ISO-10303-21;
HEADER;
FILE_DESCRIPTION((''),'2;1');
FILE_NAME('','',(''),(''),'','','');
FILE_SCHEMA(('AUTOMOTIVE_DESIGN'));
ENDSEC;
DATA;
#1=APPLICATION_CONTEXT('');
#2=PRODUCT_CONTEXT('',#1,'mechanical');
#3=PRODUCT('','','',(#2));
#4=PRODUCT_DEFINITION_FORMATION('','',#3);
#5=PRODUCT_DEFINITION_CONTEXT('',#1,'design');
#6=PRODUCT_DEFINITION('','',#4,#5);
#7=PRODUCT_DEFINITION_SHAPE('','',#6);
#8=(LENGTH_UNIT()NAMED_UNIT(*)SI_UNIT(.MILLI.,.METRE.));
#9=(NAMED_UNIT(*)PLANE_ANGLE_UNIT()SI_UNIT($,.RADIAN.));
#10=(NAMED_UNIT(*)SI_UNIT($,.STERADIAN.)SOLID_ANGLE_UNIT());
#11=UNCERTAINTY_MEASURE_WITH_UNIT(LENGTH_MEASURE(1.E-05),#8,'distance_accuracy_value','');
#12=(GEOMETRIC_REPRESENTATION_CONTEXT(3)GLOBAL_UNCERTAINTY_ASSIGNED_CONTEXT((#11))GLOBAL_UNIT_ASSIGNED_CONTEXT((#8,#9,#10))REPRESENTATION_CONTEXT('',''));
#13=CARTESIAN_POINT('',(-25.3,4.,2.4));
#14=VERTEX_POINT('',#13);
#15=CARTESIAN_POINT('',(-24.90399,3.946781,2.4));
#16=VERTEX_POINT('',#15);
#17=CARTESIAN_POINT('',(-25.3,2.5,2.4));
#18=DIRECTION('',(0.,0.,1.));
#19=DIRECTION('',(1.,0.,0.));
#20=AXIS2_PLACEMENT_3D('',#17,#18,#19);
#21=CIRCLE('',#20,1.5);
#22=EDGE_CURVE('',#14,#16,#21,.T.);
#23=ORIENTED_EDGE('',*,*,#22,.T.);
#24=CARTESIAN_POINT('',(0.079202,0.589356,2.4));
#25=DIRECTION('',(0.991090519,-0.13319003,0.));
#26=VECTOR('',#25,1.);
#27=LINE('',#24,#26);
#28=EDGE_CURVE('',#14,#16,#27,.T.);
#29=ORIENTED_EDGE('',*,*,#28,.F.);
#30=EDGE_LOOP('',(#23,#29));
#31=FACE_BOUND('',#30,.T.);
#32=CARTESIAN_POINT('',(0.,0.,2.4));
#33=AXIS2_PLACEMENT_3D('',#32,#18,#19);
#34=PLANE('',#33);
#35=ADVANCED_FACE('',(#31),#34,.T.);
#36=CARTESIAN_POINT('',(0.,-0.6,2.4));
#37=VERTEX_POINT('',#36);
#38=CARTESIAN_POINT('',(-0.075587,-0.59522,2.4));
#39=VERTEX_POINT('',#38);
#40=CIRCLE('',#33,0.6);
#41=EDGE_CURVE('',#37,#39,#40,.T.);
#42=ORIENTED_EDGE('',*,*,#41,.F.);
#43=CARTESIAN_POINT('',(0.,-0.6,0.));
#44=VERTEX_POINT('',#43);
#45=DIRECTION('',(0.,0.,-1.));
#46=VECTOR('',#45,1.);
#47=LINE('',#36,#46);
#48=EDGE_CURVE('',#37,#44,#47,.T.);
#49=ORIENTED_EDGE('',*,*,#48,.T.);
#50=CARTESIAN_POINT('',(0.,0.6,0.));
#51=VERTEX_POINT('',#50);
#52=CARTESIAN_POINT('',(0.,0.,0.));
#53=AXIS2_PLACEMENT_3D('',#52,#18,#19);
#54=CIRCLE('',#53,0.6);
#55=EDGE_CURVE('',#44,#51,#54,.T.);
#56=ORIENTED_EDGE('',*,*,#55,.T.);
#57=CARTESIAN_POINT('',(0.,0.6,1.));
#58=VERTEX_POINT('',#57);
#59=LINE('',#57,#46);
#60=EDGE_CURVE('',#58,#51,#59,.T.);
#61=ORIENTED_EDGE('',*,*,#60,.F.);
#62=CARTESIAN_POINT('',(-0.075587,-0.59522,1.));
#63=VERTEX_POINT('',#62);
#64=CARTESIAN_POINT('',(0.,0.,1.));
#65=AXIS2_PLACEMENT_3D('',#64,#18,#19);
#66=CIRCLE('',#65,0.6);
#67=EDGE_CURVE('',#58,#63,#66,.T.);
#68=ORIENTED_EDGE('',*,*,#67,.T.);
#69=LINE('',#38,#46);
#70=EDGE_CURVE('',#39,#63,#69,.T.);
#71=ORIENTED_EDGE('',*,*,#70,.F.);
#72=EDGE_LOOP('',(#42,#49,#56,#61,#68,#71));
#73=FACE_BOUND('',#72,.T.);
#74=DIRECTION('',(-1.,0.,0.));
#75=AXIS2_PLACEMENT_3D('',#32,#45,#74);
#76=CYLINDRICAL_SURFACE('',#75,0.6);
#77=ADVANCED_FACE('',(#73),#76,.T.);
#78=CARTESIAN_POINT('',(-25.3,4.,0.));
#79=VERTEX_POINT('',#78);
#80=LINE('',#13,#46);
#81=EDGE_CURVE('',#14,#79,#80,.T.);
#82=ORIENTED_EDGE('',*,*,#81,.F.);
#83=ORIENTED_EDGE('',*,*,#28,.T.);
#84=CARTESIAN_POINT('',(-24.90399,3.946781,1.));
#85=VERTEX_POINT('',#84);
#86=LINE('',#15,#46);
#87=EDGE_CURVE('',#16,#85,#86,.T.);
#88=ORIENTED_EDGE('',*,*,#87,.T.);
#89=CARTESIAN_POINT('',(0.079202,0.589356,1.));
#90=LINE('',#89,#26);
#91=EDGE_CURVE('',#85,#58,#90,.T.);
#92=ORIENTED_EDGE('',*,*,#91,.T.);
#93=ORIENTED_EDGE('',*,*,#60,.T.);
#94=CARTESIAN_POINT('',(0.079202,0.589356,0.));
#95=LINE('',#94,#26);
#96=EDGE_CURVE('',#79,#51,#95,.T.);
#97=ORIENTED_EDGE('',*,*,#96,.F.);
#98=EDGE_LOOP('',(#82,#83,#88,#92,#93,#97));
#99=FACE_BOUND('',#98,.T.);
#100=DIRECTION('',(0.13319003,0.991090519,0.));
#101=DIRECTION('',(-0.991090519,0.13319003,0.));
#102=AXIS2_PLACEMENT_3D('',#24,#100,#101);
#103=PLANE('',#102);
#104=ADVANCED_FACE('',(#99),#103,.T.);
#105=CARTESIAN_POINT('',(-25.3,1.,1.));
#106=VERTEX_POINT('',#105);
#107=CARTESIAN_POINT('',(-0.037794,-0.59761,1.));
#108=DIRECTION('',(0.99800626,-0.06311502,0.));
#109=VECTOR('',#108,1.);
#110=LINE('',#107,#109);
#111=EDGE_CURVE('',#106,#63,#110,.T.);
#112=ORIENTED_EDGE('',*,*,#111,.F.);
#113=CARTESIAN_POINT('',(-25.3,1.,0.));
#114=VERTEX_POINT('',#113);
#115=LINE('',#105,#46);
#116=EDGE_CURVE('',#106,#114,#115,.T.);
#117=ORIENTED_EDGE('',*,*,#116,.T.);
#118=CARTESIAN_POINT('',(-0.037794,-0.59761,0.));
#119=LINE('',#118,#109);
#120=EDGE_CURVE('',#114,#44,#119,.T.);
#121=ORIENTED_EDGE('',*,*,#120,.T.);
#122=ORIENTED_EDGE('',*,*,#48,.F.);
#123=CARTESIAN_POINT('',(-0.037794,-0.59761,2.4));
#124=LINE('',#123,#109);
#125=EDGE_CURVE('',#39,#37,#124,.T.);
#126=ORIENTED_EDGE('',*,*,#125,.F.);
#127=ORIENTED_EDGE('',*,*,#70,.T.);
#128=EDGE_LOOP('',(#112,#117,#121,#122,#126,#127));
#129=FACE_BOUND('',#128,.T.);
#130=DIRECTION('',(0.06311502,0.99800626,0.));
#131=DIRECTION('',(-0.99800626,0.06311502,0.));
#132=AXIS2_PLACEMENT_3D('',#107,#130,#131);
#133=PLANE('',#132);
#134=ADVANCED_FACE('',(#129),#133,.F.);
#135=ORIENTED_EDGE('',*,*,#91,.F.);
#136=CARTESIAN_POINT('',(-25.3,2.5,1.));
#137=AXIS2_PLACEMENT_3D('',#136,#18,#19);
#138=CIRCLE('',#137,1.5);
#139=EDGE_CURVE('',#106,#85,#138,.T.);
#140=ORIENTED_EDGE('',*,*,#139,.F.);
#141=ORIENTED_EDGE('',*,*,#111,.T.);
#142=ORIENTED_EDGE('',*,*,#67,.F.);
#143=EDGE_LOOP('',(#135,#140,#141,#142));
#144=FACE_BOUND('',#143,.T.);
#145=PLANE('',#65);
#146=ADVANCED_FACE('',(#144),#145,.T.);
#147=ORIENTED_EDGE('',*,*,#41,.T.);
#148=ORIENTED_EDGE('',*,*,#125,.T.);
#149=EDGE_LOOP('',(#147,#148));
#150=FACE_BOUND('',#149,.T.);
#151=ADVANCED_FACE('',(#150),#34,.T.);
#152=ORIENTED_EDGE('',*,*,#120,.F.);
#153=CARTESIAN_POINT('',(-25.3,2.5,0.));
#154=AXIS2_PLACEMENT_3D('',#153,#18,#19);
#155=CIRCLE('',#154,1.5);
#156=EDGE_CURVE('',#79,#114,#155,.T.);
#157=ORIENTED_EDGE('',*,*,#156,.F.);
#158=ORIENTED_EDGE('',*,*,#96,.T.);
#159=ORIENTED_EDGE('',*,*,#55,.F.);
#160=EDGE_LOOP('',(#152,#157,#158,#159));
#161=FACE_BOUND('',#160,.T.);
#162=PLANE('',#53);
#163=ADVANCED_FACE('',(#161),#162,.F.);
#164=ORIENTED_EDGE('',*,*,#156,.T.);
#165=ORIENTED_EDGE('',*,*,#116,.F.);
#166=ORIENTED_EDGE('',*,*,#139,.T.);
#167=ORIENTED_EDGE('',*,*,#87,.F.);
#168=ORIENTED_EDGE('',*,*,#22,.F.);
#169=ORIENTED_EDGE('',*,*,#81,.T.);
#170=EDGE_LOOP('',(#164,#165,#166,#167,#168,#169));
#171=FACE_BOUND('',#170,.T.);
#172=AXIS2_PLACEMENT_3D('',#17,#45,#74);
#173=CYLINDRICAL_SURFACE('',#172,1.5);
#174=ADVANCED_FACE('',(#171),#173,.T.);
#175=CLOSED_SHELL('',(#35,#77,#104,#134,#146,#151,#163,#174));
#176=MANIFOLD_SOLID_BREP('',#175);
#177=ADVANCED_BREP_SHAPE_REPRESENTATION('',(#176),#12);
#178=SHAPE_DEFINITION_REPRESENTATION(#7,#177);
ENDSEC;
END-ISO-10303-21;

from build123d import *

# Parameters (mm, degrees)
SALIENTE_EXTRUIR1_DEPTH   = 2.4
SALIENTE_EXTRUIR1_2_DEPTH = 2.4
SALIENTE_EXTRUIR2_DEPTH   = 1


with BuildPart() as part:
    # Croquis1 → Saliente-Extruir1 (new body)
    with BuildSketch(Plane.XY):
        with BuildLine():
            Line((-24.903989872, 3.946781248), (-25.3, 4))
            ThreePointArc((-25.3, 4), (-25.499785045, 1.013364222), (-24.903989872, 3.946781248))
        make_face()
    extrude(amount=SALIENTE_EXTRUIR1_DEPTH)



with BuildPart() as body_2:
    # Croquis1 → Saliente-Extruir1 2 (new body)
    with BuildSketch(Plane.XY):
        with BuildLine():
            ThreePointArc((0, -0.6), (0.037869012, 0.598803756), (-0.075587022, -0.595219793))
            Line((-0.075587022, -0.595219793), (0, -0.6))
        make_face()
    extrude(amount=SALIENTE_EXTRUIR1_2_DEPTH)


with BuildPart() as part_1:
    add(part.part)

    add(body_2.part)  # Saliente-Extruir2 merges body 2
    # Croquis1<3> → Saliente-Extruir2 (add)
    with BuildSketch(Plane.XY):
        with BuildLine():
            Line((0, 0.6), (-24.903989872, 3.946781248))
            ThreePointArc((-24.903989872, 3.946781248), (-24.1075204, 3.409940879), (-23.8, 2.5))
            ThreePointArc((-23.8, 2.5), (-24.239339828, 1.439339828), (-25.3, 1))
            Line((-25.3, 1), (-0.075587022, -0.595219793))
            ThreePointArc((-0.075587022, -0.595219793), (-0.598803756, 0.037869012), (0, 0.6))
        make_face()
    extrude(amount=SALIENTE_EXTRUIR2_DEPTH)


solid = part_1.part
